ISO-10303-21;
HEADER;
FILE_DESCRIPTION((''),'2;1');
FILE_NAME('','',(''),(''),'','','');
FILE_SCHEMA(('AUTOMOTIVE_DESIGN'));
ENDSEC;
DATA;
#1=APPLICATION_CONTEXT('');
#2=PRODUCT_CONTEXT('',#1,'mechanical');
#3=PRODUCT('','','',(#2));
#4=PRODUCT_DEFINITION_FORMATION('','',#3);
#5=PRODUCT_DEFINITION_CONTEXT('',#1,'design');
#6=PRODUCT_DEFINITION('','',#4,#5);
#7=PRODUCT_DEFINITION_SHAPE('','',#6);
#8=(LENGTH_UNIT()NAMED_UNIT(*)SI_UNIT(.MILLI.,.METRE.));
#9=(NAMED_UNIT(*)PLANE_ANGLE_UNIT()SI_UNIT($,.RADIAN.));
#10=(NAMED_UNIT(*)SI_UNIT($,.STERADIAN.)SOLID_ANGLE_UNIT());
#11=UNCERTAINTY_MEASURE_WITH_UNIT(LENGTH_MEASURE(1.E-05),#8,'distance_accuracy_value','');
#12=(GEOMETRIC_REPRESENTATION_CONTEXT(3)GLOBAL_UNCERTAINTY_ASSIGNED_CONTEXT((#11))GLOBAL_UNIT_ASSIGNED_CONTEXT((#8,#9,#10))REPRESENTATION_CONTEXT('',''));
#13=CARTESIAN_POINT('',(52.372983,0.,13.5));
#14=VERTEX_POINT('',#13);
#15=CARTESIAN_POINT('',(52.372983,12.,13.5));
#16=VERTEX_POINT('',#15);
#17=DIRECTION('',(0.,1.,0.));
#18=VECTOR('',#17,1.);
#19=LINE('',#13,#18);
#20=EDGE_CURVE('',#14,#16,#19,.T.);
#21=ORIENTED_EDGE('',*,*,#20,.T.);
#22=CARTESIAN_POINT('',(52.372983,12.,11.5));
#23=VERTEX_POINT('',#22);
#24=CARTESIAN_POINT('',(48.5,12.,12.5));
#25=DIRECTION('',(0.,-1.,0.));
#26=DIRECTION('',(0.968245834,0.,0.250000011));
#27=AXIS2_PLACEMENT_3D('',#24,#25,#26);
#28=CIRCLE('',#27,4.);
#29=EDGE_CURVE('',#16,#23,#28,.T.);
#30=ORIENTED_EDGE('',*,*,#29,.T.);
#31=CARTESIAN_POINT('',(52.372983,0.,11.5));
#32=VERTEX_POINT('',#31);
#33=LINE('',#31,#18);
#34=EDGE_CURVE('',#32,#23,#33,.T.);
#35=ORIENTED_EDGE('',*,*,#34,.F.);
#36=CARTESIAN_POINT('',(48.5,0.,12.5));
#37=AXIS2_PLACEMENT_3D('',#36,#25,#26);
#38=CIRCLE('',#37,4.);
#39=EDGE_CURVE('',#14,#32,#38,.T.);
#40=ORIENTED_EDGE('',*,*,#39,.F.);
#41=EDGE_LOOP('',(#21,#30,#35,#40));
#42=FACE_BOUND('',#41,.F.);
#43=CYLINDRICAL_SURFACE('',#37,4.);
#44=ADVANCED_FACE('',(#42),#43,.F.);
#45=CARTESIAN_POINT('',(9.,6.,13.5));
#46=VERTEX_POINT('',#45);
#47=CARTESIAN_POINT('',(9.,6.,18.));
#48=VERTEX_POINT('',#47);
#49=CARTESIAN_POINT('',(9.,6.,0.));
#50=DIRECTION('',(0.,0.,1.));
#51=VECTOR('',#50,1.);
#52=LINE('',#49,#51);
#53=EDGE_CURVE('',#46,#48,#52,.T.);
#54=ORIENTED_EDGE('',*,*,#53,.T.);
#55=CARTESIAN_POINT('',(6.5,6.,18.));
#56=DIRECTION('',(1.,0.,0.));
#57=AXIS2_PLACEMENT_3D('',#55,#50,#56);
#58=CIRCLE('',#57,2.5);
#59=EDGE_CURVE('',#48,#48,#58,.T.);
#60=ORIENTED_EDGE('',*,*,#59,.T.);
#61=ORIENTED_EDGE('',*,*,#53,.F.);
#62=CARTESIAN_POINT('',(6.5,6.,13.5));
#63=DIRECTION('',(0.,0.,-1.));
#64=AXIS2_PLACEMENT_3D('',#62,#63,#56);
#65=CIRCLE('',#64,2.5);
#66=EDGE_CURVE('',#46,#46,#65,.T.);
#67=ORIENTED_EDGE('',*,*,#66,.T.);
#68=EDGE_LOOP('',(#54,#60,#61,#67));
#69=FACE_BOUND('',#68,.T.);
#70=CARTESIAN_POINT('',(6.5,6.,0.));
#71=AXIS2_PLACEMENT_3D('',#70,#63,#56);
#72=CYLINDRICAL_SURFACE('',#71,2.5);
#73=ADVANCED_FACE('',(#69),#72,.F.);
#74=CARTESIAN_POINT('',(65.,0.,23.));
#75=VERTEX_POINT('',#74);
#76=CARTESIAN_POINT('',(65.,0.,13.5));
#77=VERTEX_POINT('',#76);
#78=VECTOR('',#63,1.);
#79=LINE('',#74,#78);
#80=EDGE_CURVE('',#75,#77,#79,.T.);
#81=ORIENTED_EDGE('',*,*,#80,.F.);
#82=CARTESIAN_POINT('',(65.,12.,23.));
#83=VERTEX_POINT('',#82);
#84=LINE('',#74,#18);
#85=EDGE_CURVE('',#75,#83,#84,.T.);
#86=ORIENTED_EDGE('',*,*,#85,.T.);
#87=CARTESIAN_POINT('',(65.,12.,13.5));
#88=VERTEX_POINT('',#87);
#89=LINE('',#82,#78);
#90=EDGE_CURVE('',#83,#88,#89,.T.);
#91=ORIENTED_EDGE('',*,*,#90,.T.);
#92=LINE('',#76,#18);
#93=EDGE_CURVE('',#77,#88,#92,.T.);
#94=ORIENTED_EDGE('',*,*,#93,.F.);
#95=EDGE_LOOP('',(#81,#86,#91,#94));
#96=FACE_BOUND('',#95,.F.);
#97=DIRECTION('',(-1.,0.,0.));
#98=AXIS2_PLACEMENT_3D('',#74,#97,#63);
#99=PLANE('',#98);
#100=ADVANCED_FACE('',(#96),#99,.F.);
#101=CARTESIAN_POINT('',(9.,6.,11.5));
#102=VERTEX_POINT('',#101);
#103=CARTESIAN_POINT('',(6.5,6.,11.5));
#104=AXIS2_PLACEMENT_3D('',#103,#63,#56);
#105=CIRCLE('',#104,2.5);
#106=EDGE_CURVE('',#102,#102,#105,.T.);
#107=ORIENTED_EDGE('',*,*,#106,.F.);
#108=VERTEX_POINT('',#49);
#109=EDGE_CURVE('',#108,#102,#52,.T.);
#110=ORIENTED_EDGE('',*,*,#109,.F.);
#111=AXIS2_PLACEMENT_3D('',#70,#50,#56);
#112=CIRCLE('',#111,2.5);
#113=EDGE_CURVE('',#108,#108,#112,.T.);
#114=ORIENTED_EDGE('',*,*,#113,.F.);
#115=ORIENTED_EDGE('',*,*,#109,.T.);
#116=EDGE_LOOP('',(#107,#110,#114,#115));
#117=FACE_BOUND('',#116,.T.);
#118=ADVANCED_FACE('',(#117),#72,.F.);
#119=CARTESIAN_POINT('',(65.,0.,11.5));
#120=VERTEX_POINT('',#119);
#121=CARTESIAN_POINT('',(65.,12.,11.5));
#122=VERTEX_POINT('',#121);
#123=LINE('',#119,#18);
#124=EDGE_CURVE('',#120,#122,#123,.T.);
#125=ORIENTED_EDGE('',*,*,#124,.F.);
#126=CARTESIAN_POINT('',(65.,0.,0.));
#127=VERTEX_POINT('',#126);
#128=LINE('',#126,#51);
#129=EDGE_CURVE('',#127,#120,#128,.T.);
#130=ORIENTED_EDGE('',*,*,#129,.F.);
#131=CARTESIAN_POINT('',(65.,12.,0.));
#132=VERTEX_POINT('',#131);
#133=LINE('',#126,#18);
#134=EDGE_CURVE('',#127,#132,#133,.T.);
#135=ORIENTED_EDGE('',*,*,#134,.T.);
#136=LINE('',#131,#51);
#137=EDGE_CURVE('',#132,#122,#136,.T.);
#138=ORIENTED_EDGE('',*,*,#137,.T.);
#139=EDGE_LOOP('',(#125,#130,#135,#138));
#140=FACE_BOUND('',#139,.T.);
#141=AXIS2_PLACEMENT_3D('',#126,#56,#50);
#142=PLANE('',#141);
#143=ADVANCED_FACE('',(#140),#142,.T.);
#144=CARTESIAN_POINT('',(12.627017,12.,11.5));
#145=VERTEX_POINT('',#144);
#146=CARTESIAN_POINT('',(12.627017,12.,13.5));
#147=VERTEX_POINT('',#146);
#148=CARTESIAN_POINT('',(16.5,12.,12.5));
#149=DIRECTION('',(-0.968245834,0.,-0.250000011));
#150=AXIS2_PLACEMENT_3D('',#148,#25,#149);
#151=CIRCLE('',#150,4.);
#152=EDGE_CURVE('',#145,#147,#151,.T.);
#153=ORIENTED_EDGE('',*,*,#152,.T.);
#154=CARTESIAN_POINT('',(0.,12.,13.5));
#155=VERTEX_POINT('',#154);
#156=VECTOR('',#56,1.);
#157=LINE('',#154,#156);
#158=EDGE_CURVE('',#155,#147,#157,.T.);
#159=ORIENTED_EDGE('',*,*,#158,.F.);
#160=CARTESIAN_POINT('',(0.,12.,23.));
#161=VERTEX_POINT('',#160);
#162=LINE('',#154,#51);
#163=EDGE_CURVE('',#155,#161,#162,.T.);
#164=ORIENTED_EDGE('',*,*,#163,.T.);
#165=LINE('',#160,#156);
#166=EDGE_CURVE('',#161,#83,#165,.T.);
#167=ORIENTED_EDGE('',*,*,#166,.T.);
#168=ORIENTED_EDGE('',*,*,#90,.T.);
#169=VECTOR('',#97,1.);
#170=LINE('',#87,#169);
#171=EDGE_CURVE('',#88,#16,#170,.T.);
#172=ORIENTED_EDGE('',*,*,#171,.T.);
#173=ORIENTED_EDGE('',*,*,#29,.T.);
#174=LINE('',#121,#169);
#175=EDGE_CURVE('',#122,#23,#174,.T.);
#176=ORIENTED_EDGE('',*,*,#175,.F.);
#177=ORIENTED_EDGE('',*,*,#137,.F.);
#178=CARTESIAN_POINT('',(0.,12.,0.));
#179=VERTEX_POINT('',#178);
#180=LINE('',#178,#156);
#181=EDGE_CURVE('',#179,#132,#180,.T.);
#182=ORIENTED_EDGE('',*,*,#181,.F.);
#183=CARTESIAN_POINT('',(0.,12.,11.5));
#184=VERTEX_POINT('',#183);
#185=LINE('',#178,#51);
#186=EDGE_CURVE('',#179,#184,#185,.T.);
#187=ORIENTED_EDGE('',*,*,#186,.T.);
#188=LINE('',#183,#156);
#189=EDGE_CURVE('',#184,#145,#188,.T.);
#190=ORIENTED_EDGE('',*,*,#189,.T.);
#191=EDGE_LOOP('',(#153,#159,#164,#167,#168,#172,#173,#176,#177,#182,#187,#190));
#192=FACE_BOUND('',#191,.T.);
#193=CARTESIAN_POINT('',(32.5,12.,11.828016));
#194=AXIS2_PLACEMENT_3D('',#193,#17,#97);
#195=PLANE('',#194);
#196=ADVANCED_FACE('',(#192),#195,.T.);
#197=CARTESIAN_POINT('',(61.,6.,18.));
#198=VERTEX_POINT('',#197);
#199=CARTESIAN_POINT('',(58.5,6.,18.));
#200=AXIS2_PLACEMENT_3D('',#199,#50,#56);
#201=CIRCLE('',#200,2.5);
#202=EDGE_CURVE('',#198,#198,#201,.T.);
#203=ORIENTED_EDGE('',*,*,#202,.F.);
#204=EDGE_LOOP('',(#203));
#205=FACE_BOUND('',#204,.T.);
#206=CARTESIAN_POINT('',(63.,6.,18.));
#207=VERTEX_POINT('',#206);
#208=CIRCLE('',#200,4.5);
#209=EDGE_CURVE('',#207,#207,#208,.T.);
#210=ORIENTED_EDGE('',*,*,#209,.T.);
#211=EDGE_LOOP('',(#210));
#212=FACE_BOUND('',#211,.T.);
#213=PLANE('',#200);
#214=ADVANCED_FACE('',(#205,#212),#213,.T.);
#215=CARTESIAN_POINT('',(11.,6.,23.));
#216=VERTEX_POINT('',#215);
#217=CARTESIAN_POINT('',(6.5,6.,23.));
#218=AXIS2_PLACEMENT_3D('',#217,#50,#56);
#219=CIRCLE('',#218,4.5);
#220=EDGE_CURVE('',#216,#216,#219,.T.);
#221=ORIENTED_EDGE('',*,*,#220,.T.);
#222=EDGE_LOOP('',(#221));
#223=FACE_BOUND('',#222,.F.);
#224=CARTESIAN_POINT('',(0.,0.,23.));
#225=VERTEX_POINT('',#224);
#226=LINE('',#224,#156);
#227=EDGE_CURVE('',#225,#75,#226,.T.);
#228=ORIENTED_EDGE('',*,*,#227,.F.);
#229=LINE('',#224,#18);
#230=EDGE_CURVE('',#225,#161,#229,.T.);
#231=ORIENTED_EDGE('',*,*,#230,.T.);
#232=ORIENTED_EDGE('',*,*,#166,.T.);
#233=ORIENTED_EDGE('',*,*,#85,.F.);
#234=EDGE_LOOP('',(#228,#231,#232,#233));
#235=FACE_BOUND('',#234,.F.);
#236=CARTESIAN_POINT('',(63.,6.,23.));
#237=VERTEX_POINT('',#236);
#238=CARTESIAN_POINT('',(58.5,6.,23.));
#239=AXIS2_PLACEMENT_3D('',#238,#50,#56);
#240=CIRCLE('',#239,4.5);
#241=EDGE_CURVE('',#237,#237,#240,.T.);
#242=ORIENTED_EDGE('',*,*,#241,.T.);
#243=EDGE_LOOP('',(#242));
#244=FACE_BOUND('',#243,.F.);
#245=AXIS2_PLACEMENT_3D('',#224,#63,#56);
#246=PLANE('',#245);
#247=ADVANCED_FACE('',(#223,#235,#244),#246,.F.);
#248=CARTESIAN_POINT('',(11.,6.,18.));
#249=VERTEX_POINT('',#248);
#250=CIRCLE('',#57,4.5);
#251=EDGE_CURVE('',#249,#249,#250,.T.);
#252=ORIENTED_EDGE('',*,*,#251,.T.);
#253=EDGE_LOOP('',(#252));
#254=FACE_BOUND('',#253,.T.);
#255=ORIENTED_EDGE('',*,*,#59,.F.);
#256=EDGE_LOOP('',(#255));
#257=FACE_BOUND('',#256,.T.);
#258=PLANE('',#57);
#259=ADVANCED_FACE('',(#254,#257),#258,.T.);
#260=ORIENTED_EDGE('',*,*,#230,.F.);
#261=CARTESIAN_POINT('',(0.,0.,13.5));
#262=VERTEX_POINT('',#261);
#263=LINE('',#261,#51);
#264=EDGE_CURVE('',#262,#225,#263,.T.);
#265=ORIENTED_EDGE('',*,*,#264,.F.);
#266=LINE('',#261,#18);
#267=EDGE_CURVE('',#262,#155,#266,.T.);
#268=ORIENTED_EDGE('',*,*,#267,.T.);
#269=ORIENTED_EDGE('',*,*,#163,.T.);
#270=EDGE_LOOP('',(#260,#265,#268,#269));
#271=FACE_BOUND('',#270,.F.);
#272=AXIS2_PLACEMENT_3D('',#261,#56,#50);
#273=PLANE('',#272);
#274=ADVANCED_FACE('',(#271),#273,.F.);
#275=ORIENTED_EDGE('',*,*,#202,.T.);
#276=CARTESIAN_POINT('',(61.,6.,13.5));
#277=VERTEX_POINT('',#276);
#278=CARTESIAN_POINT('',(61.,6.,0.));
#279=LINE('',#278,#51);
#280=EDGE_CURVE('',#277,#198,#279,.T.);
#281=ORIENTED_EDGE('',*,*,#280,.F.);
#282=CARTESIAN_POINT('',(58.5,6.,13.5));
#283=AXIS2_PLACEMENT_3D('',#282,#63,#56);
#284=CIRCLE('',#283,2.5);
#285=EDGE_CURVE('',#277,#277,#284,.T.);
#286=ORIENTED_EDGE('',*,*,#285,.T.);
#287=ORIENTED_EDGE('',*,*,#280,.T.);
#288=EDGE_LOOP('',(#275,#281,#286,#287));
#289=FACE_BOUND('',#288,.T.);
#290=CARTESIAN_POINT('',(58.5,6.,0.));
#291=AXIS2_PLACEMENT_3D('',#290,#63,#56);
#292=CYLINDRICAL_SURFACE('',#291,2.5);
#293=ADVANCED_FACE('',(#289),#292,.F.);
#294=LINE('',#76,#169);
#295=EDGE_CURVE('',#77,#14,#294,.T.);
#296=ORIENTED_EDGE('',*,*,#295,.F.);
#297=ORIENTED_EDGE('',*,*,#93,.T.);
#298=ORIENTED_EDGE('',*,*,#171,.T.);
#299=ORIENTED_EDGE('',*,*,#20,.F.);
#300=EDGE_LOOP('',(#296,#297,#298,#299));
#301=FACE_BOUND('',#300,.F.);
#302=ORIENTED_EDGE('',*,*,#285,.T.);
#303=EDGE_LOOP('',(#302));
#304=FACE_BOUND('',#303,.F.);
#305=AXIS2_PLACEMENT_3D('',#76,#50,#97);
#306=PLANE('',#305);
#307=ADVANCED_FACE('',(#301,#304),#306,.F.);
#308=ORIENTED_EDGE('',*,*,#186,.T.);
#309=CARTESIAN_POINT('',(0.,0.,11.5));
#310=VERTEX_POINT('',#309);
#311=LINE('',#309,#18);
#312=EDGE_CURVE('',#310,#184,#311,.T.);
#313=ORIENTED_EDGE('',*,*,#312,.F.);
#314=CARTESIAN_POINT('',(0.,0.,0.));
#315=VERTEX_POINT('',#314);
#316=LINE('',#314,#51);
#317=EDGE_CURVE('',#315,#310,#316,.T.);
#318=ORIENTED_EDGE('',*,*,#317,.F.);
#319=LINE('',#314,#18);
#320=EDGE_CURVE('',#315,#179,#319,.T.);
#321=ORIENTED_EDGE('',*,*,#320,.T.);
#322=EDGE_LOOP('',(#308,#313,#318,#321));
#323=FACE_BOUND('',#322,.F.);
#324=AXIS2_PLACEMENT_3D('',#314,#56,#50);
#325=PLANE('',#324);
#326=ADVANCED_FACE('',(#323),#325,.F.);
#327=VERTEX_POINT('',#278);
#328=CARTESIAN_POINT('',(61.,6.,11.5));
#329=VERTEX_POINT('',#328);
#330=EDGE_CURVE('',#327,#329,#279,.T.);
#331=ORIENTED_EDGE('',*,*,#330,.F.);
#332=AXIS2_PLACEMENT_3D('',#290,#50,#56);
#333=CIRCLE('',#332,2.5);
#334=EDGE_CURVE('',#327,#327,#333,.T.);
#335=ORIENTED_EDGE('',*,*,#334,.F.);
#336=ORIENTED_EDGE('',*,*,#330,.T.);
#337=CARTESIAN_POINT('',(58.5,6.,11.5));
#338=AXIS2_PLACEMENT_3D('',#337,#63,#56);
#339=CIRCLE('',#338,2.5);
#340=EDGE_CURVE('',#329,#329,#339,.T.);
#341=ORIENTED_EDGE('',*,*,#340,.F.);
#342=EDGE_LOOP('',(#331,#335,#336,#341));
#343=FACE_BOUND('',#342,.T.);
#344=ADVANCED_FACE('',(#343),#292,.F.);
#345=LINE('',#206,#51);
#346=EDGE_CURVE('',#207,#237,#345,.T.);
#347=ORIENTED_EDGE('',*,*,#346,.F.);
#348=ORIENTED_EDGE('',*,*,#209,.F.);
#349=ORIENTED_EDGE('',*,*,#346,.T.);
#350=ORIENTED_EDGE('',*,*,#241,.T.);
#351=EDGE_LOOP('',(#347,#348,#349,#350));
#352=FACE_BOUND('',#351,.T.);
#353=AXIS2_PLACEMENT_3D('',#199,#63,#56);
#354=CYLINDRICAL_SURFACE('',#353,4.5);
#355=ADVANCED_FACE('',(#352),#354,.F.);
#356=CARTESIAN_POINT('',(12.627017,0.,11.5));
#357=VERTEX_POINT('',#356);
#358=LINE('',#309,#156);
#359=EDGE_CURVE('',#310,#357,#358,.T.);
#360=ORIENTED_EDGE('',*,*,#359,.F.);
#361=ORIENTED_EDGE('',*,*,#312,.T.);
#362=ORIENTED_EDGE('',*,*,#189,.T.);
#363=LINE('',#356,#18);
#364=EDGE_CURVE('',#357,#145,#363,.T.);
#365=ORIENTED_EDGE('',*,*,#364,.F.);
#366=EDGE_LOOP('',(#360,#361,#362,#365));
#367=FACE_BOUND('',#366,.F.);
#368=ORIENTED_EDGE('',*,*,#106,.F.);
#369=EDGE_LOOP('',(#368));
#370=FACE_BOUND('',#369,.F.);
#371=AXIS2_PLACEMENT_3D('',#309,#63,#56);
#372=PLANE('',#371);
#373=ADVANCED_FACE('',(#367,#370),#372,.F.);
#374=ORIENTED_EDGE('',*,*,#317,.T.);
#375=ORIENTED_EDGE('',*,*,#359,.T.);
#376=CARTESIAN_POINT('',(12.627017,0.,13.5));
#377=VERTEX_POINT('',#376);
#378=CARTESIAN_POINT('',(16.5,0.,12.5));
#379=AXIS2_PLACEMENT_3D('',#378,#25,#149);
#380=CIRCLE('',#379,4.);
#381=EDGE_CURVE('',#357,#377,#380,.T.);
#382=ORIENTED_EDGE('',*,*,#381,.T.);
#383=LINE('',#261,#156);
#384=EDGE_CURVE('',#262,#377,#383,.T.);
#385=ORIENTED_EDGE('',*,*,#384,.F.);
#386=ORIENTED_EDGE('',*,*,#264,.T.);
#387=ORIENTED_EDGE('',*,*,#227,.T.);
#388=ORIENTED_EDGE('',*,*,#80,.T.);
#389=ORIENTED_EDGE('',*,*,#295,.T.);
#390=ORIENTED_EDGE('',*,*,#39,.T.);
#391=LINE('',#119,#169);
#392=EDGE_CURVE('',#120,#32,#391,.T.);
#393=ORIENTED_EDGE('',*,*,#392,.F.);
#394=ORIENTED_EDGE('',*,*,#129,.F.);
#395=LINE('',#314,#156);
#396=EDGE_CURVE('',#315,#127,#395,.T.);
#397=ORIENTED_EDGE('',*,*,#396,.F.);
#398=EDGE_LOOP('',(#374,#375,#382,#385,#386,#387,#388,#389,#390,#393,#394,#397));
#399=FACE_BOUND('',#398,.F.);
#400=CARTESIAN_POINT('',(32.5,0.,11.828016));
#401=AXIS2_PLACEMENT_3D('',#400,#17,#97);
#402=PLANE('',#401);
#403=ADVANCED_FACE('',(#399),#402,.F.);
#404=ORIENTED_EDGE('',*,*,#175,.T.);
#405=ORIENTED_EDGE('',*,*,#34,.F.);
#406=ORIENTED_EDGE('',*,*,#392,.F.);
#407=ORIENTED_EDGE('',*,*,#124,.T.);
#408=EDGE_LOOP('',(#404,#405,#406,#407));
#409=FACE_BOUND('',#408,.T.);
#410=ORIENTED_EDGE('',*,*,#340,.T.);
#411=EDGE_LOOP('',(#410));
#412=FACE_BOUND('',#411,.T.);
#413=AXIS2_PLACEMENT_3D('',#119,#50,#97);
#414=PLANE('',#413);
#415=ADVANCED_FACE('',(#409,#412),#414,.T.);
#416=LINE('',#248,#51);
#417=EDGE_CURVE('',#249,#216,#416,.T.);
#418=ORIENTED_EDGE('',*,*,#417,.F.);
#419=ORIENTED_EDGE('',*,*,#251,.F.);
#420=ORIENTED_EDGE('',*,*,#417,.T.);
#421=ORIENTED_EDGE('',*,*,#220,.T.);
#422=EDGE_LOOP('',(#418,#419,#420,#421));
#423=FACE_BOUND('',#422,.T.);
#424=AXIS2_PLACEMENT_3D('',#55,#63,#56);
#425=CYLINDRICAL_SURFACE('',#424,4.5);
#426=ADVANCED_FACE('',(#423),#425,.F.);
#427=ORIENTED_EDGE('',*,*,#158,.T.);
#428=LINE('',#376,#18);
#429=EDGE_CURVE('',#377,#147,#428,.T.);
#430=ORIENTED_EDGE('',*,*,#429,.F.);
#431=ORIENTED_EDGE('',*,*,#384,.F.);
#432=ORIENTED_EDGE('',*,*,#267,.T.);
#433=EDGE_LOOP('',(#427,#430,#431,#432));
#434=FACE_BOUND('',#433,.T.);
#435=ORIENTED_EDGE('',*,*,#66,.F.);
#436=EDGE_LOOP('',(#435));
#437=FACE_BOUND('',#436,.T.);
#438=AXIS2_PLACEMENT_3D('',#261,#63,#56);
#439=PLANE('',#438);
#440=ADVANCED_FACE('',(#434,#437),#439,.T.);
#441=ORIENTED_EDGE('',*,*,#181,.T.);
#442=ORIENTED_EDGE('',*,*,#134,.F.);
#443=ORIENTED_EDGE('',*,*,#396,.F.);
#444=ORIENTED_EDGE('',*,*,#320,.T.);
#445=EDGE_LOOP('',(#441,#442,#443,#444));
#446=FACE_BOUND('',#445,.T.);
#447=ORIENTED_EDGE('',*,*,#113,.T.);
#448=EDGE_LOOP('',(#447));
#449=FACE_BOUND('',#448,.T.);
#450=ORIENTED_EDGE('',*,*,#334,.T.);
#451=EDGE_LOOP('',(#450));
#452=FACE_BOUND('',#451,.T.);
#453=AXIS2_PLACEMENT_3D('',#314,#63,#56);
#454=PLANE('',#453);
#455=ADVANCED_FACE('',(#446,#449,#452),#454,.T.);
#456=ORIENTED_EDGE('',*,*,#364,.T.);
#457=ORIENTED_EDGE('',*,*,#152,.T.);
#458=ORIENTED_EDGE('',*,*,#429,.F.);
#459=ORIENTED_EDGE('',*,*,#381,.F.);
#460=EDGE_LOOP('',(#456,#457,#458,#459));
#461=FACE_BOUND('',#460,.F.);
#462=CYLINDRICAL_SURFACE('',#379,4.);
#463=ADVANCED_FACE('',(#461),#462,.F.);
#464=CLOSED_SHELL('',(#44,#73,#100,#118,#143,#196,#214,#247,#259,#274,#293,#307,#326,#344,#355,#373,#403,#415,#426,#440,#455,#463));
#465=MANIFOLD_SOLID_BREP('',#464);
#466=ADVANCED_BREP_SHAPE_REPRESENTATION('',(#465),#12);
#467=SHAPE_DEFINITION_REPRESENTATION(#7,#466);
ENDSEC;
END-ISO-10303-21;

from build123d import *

# Parameters (mm, degrees)
CYLINDER002_R     = 2.5
CYLINDER002_DEPTH = 18
CYLINDER003_R     = 4.5
CYLINDER003_DEPTH = 5
CYLINDER_R        = 2.5
CYLINDER_DEPTH    = 18
CYLINDER001_R     = 4.5
CYLINDER001_DEPTH = 5
PAD_DEPTH         = 12


with BuildPart() as cilindro002:
    # Cylinder002 → Cylinder002 (new body)
    with BuildSketch(Plane.XY):
        Circle(CYLINDER002_R)
    extrude(amount=CYLINDER002_DEPTH)


with BuildPart() as tornillo_dcho:
    # Cylinder003 → Cylinder003 (new body)
    with BuildSketch(Plane.XY.offset(18)):
        Circle(CYLINDER003_R)
    extrude(amount=CYLINDER003_DEPTH)

    # Fusion001: union Cilindro002
    add(cilindro002.part)


with BuildPart() as tornillo_dcho_1:
    # Fusion001 placement: moved
    add(tornillo_dcho.part.moved(Location((58.5, 6, 0))))


with BuildPart() as cilindro:
    # Cylinder → Cylinder (new body)
    with BuildSketch(Plane.XY):
        Circle(CYLINDER_R)
    extrude(amount=CYLINDER_DEPTH)


with BuildPart() as tornillos:
    # Cylinder001 → Cylinder001 (new body)
    with BuildSketch(Plane.XY.offset(18)):
        Circle(CYLINDER001_R)
    extrude(amount=CYLINDER001_DEPTH)

    # Fusion: union Cilindro
    add(cilindro.part)


with BuildPart() as tornillos_1:
    # Fusion placement: moved
    add(tornillos.part.moved(Location((6.5, 6, 0))))

    # Fusion002: union Tornillo Dcho
    add(tornillo_dcho_1.part)


with BuildPart() as kta08_m5:
    # Sketch → Pad (new body)
    with BuildSketch(Plane.XZ):
        with BuildLine():
            Line((0, 0), (0, 11.5))
            Line((0, 11.5), (12.627017, 11.5))
            ThreePointArc((12.627017, 11.5), (20.5, 12.5), (12.627017, 13.5))
            Line((0, 13.5), (12.627017, 13.5))
            Line((0, 13.5), (0, 23))
            Line((0, 23), (65, 23))
            Line((65, 23), (65, 13.5))
            Line((65, 13.5), (52.372983, 13.5))
            ThreePointArc((52.372983, 13.5), (44.5, 12.5), (52.372983, 11.5))
            Line((65, 11.5), (52.372983, 11.5))
            Line((65, 0), (65, 11.5))
            Line((0, 0), (65, 0))
        make_face()
    extrude(amount=-PAD_DEPTH)

    # Cut: cut Tornillos
    add(tornillos_1.part, mode=Mode.SUBTRACT)


solid = kta08_m5.part
